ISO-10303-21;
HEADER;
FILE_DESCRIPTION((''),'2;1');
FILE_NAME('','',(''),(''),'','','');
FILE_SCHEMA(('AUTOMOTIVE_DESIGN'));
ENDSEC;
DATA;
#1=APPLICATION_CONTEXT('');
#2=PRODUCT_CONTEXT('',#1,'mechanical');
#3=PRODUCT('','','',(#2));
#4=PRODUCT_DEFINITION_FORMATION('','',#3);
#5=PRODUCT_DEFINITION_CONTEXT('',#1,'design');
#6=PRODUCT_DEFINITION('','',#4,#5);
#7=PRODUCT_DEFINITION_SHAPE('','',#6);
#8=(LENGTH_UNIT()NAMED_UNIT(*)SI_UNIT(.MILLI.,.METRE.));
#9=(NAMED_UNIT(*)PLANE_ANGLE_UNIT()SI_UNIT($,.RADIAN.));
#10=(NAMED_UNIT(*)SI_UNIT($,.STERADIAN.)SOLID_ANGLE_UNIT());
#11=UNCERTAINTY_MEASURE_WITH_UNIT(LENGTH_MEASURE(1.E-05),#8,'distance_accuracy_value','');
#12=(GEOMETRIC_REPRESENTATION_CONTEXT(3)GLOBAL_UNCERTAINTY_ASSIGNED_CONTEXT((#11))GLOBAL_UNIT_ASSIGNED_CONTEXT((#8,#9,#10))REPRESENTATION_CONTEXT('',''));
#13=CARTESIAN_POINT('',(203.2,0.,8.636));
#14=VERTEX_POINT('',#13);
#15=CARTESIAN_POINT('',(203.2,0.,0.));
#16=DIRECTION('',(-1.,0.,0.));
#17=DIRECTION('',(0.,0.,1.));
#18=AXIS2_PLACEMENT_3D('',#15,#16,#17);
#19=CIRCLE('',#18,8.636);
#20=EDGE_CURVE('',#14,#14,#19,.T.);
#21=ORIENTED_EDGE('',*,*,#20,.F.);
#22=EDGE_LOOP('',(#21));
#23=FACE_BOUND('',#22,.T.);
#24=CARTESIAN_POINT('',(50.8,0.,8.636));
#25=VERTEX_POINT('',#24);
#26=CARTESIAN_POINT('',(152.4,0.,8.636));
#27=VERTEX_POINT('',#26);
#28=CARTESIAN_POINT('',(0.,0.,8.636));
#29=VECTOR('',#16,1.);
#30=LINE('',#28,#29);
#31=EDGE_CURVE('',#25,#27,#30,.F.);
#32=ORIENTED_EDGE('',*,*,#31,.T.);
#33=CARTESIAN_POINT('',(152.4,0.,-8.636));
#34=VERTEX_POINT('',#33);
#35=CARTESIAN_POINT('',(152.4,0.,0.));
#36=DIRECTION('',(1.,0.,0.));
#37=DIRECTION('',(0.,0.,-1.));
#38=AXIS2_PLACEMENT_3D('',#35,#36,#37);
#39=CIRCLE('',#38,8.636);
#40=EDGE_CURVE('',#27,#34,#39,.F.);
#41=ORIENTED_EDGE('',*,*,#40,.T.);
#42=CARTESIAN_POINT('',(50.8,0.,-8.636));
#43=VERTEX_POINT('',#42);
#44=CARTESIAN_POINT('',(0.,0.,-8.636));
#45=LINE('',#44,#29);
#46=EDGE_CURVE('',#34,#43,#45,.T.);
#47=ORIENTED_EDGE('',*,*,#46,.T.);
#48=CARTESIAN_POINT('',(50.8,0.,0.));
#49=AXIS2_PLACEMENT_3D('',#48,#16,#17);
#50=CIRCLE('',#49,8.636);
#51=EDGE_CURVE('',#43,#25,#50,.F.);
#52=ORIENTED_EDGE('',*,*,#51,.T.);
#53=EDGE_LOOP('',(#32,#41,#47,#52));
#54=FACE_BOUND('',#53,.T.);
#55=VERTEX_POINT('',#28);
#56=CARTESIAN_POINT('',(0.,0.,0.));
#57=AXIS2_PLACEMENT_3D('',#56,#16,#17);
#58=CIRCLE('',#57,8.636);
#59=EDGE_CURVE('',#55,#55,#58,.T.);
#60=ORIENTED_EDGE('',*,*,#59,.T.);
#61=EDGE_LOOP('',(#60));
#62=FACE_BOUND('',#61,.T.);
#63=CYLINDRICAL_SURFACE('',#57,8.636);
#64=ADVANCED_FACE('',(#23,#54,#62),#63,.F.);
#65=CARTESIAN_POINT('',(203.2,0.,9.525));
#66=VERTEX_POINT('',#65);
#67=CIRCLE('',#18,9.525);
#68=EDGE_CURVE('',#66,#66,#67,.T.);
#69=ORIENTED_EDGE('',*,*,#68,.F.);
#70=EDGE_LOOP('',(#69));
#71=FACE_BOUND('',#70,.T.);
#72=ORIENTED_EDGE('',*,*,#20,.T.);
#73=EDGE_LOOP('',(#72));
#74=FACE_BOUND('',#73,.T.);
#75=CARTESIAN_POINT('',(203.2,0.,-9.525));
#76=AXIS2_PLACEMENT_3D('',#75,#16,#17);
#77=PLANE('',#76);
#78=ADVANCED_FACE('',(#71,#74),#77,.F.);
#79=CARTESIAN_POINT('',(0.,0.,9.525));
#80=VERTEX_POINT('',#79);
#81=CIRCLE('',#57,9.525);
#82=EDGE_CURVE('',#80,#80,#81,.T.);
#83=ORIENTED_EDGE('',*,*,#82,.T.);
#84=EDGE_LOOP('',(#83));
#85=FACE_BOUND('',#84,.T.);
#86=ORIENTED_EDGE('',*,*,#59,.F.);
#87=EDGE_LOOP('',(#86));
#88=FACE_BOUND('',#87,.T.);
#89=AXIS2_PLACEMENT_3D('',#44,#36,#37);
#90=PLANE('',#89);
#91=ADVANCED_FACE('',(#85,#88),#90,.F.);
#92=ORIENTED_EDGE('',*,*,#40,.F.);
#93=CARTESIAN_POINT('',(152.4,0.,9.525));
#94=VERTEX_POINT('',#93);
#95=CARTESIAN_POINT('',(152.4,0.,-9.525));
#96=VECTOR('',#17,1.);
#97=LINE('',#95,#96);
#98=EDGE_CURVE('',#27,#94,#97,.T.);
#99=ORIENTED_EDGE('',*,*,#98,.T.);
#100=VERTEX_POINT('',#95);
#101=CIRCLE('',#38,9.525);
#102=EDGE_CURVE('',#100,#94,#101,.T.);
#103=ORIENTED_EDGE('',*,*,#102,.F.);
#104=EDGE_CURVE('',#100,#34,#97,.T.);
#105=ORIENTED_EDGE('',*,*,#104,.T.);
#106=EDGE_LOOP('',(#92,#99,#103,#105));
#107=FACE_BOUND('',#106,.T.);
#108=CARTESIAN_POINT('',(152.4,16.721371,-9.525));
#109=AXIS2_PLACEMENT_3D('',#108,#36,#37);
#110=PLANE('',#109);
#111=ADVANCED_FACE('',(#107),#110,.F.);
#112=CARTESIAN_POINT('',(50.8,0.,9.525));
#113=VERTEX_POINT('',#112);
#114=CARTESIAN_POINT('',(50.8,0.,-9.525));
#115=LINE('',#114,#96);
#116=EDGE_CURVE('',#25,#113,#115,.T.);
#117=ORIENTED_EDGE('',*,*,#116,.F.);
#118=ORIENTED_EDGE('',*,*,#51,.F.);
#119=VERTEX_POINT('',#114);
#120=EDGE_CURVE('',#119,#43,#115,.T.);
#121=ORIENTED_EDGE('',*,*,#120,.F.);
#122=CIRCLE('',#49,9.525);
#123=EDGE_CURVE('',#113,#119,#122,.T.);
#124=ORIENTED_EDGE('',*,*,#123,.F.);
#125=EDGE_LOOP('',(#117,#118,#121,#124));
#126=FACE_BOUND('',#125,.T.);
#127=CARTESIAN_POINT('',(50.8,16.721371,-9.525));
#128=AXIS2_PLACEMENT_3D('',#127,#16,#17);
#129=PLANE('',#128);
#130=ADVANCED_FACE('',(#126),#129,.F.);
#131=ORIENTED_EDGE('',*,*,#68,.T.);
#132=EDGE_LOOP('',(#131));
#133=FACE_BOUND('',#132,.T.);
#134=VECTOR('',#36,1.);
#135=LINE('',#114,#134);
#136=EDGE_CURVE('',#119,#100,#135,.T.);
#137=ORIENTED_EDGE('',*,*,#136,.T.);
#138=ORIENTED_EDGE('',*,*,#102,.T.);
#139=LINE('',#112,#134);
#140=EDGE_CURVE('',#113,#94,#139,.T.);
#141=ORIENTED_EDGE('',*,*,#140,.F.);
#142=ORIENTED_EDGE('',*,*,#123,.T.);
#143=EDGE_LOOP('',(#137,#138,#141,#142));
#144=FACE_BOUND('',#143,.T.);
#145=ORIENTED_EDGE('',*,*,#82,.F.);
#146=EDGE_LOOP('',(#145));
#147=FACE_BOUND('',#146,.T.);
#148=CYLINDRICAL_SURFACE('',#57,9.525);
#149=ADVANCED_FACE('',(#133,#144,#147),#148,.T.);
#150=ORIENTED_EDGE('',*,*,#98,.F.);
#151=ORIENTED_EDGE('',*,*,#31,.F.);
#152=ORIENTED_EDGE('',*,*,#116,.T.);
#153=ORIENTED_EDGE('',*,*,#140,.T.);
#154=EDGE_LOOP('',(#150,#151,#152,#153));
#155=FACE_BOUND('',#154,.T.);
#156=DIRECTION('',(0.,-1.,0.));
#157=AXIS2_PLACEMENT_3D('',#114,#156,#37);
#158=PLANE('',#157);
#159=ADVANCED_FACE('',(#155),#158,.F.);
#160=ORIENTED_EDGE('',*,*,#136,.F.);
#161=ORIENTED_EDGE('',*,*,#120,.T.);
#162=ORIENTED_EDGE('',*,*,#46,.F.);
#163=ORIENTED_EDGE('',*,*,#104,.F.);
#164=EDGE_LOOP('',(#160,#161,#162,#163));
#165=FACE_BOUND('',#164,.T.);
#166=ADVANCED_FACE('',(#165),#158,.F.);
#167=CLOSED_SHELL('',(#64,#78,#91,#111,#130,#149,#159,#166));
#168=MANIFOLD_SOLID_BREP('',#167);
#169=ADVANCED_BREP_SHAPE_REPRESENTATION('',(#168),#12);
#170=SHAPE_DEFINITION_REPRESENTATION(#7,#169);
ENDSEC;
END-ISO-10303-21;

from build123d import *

# Parameters (mm, degrees)
SKETCH1_W               = 203.2
SKETCH1_H               = 0.889
SKETCH2_W               = 101.6
SKETCH2_H               = 16.721370504
CUT_EXTRUDE1_DEPTH      = 10.525
CUT_EXTRUDE1_DEPTH_BACK = 10.525


with BuildPart() as part:
    # Sketch1 → Revolve1 (revolve)
    with BuildSketch(Plane(origin=(0, 0, 0), x_dir=(1, 0, 0), z_dir=(0, 1, 0))):
        with Locations((101.6, 9.0805)):
            Rectangle(SKETCH1_W, SKETCH1_H)
    revolve(axis=Axis((0, 0, 0), (1, 0, 0)))

    # Sketch2 → Cut-Extrude1 (cut, two sides)
    with BuildSketch(Plane.XY) as cut_extrude1_sk:
        with Locations((101.6, 8.360685252)):
            Rectangle(SKETCH2_W, SKETCH2_H)
    extrude(amount=CUT_EXTRUDE1_DEPTH, mode=Mode.SUBTRACT)
    extrude(cut_extrude1_sk.sketch, amount=-CUT_EXTRUDE1_DEPTH_BACK, mode=Mode.SUBTRACT)


solid = part.part
